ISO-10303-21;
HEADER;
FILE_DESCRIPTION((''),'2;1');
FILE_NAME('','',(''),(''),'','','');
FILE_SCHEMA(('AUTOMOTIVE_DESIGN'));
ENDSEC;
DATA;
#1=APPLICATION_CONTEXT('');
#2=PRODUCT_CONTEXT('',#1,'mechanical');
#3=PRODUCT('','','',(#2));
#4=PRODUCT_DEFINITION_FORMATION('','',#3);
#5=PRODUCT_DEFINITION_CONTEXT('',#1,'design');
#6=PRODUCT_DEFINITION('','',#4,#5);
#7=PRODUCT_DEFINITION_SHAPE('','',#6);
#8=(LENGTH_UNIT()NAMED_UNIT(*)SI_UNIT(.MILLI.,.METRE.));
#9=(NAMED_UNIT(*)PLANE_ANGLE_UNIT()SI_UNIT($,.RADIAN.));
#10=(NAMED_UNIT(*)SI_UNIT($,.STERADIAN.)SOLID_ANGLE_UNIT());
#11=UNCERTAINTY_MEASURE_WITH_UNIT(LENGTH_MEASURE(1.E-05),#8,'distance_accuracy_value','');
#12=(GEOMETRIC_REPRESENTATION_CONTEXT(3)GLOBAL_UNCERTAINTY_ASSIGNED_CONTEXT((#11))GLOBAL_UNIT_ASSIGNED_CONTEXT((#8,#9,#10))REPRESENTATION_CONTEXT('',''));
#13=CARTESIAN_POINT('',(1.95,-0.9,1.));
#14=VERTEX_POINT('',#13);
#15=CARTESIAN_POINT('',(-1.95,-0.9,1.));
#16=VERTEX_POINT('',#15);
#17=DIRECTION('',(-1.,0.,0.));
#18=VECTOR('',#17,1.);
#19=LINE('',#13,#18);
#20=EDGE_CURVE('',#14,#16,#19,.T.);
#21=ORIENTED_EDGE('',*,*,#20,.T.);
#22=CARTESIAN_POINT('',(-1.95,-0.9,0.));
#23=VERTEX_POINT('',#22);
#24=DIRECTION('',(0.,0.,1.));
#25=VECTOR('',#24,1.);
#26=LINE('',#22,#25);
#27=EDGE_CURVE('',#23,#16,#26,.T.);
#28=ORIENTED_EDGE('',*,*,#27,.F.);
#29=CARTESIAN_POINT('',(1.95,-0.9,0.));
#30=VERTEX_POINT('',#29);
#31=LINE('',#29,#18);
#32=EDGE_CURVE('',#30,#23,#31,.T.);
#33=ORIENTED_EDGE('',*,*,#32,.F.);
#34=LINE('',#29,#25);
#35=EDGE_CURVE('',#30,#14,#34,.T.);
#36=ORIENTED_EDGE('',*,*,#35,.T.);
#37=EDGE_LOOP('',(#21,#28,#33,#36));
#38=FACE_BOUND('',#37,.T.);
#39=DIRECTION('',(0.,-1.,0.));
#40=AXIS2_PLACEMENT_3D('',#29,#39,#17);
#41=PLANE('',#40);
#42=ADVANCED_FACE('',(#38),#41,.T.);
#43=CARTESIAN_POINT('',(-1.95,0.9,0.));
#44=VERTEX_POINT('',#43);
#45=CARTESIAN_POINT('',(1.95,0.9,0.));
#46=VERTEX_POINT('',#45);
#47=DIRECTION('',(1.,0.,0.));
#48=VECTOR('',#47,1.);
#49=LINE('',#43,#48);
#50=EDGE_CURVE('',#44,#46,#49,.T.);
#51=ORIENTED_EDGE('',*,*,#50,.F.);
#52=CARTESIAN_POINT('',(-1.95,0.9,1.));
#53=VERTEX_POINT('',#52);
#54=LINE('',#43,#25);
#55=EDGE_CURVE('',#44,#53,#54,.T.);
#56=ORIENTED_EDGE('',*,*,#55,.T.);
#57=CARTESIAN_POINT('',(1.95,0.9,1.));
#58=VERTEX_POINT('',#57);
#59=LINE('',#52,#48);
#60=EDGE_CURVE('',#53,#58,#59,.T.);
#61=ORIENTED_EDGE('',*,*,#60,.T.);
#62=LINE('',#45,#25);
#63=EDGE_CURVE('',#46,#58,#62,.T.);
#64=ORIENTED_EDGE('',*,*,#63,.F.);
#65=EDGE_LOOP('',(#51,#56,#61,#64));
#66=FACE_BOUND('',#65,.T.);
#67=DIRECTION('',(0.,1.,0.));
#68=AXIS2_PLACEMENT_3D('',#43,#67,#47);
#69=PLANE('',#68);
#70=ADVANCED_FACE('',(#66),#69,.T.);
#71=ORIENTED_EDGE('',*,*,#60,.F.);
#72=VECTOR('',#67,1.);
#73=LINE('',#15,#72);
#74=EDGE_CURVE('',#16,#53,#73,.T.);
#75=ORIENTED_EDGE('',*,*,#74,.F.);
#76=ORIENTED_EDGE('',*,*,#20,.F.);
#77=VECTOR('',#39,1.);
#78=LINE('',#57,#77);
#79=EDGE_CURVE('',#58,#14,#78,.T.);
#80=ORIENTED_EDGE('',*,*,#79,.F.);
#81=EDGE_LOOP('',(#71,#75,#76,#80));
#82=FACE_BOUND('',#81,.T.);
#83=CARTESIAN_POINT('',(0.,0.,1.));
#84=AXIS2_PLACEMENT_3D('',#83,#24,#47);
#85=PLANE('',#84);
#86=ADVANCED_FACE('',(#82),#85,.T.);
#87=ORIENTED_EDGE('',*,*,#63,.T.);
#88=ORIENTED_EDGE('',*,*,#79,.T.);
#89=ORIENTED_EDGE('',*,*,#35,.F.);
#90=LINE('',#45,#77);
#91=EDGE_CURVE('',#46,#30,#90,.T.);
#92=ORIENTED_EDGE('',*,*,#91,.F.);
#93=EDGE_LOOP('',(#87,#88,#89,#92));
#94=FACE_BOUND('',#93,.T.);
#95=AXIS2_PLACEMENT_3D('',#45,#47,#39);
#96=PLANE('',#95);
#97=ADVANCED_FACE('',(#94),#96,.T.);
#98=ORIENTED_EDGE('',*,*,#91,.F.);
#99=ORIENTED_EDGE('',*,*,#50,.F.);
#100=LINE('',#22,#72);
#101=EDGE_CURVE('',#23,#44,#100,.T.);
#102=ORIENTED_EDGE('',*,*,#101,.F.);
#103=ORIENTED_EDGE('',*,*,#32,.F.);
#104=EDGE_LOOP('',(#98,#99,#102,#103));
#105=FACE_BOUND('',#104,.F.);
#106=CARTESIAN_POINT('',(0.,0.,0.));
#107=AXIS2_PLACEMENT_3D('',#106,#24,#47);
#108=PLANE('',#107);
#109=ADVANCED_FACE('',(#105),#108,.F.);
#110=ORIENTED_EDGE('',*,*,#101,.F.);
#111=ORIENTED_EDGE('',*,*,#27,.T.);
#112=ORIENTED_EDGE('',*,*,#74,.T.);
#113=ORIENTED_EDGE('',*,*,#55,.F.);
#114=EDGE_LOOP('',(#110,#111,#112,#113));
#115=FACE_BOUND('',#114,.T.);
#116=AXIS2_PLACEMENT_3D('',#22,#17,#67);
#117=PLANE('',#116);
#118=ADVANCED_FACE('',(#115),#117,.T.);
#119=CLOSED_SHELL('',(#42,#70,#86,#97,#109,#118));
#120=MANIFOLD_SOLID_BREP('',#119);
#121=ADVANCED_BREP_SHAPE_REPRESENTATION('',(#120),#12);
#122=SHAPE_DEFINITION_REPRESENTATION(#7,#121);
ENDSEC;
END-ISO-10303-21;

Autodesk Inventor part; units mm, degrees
ref_plane "YZ Plane" through (0, 0, 0) normal (1, 0, 0) x (0, 1, 0)
ref_plane "XZ Plane" through (0, 0, 0) normal (0, 1, 0) x (-1, 0, 0)
ref_plane "XY Plane" through (0, 0, 0) normal (0, 0, 1) x (1, 0, 0)
sketch "SOD-123_MINI-SMA, CGRM4004-G_13" plane through (0, 0, 0) normal (0, 0, 1) x (1, 0, 0)
  line L0 (-1.95, 0.9) -> (1.95, 0.9)
  line L1 (1.95, 0.9) -> (1.95, -0.9)
  line L2 (1.95, -0.9) -> (-1.95, -0.9)
  line L3 (-1.95, -0.9) -> (-1.95, 0.9)
extrude "Выдавливание1" add sketch "SOD-123_MINI-SMA, CGRM4004-G_13" along normal blind 1
properties part number "CGRM4004-G"
